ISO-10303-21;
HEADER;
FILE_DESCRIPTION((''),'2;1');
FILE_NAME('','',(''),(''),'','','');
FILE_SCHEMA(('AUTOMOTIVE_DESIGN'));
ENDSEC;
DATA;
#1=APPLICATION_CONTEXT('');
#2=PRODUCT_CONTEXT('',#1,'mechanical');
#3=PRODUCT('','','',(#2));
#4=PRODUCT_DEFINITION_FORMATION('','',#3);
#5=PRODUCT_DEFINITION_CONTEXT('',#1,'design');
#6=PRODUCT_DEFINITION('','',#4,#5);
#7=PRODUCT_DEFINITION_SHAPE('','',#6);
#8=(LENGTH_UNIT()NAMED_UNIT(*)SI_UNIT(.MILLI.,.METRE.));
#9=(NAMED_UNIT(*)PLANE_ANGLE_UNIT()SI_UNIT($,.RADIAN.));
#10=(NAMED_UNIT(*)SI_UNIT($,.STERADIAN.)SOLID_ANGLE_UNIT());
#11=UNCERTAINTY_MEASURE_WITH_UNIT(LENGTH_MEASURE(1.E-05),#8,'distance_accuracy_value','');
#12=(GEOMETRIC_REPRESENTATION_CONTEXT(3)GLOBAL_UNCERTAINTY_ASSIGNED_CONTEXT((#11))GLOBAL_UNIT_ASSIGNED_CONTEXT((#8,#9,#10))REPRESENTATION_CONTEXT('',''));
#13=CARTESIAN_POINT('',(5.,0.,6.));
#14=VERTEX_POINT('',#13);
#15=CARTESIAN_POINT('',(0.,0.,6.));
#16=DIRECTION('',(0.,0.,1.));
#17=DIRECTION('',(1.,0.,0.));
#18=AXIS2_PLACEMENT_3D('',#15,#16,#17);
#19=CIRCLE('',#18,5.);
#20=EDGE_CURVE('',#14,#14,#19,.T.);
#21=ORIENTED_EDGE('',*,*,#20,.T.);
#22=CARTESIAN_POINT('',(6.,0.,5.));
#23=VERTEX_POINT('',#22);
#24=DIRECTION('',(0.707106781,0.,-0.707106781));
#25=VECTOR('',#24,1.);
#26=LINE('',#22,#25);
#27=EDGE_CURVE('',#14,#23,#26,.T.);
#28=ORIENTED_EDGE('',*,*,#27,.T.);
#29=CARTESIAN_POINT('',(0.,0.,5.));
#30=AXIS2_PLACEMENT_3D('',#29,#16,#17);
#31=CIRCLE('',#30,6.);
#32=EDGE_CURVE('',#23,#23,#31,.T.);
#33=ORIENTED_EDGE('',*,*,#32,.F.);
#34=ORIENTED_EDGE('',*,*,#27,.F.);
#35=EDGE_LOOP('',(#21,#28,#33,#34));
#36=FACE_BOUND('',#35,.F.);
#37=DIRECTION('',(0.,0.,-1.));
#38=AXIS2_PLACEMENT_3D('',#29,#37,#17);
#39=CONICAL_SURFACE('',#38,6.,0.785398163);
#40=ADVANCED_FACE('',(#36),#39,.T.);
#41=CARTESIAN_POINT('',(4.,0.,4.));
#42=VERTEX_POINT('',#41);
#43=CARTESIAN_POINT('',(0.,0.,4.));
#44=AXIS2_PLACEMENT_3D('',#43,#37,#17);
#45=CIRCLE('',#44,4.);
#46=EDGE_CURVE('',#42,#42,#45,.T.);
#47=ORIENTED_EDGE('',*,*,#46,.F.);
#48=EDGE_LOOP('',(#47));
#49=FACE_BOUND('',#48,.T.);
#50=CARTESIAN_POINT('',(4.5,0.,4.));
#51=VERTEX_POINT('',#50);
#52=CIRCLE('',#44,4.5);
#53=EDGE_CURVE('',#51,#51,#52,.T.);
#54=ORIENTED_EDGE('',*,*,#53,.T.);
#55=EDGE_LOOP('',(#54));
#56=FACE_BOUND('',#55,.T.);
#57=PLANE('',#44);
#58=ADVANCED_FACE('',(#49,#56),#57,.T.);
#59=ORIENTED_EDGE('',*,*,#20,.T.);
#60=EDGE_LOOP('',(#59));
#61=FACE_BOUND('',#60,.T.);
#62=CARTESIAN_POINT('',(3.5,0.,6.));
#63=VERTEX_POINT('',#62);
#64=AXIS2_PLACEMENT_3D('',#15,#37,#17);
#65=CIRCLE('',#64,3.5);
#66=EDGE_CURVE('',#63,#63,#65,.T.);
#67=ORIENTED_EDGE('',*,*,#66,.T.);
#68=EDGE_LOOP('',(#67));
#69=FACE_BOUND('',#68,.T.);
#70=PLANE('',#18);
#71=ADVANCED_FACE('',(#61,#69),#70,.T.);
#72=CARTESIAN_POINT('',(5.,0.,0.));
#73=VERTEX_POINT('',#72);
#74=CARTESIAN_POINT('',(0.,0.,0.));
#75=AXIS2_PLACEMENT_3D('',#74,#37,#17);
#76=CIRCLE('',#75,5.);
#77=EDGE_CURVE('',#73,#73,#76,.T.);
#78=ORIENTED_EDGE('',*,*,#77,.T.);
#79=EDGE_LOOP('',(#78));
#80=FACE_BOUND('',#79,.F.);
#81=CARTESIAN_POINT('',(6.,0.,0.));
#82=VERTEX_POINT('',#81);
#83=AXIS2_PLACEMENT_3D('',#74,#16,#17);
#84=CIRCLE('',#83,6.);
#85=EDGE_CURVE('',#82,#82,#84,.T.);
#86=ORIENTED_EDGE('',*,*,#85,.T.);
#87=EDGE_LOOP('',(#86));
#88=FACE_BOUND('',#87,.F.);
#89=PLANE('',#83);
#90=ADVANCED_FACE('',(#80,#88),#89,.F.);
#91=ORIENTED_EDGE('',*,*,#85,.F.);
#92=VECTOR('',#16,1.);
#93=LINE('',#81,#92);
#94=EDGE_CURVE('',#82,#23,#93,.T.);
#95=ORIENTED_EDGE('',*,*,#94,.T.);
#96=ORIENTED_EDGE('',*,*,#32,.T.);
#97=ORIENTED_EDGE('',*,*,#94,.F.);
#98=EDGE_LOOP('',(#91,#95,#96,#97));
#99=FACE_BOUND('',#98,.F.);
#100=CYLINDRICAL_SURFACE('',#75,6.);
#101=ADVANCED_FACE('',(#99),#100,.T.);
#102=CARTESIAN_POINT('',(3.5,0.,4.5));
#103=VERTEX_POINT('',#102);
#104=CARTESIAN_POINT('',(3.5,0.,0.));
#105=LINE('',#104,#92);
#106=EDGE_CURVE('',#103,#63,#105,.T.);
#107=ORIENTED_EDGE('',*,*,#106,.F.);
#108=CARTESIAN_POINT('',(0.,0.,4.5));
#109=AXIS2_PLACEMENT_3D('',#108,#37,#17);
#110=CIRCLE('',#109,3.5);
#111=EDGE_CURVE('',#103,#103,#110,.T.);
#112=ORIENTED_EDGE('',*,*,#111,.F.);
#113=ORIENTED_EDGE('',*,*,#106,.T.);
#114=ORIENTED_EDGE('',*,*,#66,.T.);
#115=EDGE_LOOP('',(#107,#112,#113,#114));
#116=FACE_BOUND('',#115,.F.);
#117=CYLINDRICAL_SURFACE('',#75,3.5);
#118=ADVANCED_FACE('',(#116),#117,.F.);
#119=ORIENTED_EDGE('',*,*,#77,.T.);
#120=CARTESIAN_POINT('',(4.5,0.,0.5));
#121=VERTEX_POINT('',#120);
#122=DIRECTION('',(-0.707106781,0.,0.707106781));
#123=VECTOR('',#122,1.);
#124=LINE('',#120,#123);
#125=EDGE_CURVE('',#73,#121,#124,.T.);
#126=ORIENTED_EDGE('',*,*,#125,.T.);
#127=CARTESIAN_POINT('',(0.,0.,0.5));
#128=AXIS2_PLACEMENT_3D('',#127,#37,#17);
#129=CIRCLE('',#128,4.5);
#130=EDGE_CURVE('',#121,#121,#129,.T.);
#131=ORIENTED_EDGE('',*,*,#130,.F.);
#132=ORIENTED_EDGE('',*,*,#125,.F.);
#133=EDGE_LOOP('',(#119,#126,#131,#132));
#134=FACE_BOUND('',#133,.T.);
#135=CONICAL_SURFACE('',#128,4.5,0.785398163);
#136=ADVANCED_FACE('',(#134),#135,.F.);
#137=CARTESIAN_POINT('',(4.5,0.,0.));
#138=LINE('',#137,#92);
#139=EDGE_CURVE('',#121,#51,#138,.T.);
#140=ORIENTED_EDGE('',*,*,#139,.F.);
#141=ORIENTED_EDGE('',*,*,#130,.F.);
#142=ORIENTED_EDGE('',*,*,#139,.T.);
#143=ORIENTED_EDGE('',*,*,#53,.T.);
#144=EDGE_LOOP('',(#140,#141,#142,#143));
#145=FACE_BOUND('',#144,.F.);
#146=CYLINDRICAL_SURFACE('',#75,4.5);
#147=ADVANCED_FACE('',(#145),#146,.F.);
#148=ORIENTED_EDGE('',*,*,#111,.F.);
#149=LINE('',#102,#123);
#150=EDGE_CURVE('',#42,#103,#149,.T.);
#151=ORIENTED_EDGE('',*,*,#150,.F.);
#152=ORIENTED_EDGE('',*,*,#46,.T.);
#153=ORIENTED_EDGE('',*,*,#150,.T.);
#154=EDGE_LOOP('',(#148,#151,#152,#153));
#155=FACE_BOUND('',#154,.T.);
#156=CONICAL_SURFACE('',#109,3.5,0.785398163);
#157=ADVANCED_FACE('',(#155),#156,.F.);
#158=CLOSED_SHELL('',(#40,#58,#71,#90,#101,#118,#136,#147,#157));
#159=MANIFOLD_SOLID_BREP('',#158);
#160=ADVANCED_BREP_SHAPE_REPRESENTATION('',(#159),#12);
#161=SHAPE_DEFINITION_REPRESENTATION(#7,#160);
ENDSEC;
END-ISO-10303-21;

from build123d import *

# Parameters (mm, degrees)
SKETCH_R        = 6
PAD_DEPTH       = 6
SKETCH002_R     = 3.5
POCKET_DEPTH    = 6.001
SKETCH001_R     = 4.5
POCKET001_DEPTH = 4
CHAMFER_SIZE    = 0.5
CHAMFER001_SIZE = 0.5
CHAMFER002_SIZE = 1


with BuildPart() as part:
    # Sketch → Pad (new body)
    with BuildSketch(Plane.XY):
        Circle(SKETCH_R)
    extrude(amount=PAD_DEPTH)

    # Sketch002 → Pocket (cut, through all)
    with BuildSketch(Plane(origin=(0, 0, 0), x_dir=(1, 0, 0), z_dir=(0, 0, -1))):
        Circle(SKETCH002_R)
    extrude(amount=-POCKET_DEPTH, mode=Mode.SUBTRACT)

    # Sketch001 → Pocket001 (cut)
    with BuildSketch(Plane(origin=(0, 0, 0), x_dir=(1, 0, 0), z_dir=(0, 0, -1))):
        Circle(SKETCH001_R)
    extrude(amount=-POCKET001_DEPTH, mode=Mode.SUBTRACT)

    # Chamfer
    chamfer_edges = [part.edges().sort_by_distance(p)[0] for p in [
        (-4.5, 0, 0),
    ]]
    chamfer(chamfer_edges, length=CHAMFER_SIZE)

    # Chamfer001
    chamfer001_edges = [part.edges().sort_by_distance(p)[0] for p in [
        (-3.5, 0, 4),
    ]]
    chamfer(chamfer001_edges, length=CHAMFER001_SIZE)

    # Chamfer002
    chamfer002_edges = [part.edges().sort_by_distance(p)[0] for p in [
        (-6, 0, 6),
    ]]
    chamfer(chamfer002_edges, length=CHAMFER002_SIZE)


solid = part.part
